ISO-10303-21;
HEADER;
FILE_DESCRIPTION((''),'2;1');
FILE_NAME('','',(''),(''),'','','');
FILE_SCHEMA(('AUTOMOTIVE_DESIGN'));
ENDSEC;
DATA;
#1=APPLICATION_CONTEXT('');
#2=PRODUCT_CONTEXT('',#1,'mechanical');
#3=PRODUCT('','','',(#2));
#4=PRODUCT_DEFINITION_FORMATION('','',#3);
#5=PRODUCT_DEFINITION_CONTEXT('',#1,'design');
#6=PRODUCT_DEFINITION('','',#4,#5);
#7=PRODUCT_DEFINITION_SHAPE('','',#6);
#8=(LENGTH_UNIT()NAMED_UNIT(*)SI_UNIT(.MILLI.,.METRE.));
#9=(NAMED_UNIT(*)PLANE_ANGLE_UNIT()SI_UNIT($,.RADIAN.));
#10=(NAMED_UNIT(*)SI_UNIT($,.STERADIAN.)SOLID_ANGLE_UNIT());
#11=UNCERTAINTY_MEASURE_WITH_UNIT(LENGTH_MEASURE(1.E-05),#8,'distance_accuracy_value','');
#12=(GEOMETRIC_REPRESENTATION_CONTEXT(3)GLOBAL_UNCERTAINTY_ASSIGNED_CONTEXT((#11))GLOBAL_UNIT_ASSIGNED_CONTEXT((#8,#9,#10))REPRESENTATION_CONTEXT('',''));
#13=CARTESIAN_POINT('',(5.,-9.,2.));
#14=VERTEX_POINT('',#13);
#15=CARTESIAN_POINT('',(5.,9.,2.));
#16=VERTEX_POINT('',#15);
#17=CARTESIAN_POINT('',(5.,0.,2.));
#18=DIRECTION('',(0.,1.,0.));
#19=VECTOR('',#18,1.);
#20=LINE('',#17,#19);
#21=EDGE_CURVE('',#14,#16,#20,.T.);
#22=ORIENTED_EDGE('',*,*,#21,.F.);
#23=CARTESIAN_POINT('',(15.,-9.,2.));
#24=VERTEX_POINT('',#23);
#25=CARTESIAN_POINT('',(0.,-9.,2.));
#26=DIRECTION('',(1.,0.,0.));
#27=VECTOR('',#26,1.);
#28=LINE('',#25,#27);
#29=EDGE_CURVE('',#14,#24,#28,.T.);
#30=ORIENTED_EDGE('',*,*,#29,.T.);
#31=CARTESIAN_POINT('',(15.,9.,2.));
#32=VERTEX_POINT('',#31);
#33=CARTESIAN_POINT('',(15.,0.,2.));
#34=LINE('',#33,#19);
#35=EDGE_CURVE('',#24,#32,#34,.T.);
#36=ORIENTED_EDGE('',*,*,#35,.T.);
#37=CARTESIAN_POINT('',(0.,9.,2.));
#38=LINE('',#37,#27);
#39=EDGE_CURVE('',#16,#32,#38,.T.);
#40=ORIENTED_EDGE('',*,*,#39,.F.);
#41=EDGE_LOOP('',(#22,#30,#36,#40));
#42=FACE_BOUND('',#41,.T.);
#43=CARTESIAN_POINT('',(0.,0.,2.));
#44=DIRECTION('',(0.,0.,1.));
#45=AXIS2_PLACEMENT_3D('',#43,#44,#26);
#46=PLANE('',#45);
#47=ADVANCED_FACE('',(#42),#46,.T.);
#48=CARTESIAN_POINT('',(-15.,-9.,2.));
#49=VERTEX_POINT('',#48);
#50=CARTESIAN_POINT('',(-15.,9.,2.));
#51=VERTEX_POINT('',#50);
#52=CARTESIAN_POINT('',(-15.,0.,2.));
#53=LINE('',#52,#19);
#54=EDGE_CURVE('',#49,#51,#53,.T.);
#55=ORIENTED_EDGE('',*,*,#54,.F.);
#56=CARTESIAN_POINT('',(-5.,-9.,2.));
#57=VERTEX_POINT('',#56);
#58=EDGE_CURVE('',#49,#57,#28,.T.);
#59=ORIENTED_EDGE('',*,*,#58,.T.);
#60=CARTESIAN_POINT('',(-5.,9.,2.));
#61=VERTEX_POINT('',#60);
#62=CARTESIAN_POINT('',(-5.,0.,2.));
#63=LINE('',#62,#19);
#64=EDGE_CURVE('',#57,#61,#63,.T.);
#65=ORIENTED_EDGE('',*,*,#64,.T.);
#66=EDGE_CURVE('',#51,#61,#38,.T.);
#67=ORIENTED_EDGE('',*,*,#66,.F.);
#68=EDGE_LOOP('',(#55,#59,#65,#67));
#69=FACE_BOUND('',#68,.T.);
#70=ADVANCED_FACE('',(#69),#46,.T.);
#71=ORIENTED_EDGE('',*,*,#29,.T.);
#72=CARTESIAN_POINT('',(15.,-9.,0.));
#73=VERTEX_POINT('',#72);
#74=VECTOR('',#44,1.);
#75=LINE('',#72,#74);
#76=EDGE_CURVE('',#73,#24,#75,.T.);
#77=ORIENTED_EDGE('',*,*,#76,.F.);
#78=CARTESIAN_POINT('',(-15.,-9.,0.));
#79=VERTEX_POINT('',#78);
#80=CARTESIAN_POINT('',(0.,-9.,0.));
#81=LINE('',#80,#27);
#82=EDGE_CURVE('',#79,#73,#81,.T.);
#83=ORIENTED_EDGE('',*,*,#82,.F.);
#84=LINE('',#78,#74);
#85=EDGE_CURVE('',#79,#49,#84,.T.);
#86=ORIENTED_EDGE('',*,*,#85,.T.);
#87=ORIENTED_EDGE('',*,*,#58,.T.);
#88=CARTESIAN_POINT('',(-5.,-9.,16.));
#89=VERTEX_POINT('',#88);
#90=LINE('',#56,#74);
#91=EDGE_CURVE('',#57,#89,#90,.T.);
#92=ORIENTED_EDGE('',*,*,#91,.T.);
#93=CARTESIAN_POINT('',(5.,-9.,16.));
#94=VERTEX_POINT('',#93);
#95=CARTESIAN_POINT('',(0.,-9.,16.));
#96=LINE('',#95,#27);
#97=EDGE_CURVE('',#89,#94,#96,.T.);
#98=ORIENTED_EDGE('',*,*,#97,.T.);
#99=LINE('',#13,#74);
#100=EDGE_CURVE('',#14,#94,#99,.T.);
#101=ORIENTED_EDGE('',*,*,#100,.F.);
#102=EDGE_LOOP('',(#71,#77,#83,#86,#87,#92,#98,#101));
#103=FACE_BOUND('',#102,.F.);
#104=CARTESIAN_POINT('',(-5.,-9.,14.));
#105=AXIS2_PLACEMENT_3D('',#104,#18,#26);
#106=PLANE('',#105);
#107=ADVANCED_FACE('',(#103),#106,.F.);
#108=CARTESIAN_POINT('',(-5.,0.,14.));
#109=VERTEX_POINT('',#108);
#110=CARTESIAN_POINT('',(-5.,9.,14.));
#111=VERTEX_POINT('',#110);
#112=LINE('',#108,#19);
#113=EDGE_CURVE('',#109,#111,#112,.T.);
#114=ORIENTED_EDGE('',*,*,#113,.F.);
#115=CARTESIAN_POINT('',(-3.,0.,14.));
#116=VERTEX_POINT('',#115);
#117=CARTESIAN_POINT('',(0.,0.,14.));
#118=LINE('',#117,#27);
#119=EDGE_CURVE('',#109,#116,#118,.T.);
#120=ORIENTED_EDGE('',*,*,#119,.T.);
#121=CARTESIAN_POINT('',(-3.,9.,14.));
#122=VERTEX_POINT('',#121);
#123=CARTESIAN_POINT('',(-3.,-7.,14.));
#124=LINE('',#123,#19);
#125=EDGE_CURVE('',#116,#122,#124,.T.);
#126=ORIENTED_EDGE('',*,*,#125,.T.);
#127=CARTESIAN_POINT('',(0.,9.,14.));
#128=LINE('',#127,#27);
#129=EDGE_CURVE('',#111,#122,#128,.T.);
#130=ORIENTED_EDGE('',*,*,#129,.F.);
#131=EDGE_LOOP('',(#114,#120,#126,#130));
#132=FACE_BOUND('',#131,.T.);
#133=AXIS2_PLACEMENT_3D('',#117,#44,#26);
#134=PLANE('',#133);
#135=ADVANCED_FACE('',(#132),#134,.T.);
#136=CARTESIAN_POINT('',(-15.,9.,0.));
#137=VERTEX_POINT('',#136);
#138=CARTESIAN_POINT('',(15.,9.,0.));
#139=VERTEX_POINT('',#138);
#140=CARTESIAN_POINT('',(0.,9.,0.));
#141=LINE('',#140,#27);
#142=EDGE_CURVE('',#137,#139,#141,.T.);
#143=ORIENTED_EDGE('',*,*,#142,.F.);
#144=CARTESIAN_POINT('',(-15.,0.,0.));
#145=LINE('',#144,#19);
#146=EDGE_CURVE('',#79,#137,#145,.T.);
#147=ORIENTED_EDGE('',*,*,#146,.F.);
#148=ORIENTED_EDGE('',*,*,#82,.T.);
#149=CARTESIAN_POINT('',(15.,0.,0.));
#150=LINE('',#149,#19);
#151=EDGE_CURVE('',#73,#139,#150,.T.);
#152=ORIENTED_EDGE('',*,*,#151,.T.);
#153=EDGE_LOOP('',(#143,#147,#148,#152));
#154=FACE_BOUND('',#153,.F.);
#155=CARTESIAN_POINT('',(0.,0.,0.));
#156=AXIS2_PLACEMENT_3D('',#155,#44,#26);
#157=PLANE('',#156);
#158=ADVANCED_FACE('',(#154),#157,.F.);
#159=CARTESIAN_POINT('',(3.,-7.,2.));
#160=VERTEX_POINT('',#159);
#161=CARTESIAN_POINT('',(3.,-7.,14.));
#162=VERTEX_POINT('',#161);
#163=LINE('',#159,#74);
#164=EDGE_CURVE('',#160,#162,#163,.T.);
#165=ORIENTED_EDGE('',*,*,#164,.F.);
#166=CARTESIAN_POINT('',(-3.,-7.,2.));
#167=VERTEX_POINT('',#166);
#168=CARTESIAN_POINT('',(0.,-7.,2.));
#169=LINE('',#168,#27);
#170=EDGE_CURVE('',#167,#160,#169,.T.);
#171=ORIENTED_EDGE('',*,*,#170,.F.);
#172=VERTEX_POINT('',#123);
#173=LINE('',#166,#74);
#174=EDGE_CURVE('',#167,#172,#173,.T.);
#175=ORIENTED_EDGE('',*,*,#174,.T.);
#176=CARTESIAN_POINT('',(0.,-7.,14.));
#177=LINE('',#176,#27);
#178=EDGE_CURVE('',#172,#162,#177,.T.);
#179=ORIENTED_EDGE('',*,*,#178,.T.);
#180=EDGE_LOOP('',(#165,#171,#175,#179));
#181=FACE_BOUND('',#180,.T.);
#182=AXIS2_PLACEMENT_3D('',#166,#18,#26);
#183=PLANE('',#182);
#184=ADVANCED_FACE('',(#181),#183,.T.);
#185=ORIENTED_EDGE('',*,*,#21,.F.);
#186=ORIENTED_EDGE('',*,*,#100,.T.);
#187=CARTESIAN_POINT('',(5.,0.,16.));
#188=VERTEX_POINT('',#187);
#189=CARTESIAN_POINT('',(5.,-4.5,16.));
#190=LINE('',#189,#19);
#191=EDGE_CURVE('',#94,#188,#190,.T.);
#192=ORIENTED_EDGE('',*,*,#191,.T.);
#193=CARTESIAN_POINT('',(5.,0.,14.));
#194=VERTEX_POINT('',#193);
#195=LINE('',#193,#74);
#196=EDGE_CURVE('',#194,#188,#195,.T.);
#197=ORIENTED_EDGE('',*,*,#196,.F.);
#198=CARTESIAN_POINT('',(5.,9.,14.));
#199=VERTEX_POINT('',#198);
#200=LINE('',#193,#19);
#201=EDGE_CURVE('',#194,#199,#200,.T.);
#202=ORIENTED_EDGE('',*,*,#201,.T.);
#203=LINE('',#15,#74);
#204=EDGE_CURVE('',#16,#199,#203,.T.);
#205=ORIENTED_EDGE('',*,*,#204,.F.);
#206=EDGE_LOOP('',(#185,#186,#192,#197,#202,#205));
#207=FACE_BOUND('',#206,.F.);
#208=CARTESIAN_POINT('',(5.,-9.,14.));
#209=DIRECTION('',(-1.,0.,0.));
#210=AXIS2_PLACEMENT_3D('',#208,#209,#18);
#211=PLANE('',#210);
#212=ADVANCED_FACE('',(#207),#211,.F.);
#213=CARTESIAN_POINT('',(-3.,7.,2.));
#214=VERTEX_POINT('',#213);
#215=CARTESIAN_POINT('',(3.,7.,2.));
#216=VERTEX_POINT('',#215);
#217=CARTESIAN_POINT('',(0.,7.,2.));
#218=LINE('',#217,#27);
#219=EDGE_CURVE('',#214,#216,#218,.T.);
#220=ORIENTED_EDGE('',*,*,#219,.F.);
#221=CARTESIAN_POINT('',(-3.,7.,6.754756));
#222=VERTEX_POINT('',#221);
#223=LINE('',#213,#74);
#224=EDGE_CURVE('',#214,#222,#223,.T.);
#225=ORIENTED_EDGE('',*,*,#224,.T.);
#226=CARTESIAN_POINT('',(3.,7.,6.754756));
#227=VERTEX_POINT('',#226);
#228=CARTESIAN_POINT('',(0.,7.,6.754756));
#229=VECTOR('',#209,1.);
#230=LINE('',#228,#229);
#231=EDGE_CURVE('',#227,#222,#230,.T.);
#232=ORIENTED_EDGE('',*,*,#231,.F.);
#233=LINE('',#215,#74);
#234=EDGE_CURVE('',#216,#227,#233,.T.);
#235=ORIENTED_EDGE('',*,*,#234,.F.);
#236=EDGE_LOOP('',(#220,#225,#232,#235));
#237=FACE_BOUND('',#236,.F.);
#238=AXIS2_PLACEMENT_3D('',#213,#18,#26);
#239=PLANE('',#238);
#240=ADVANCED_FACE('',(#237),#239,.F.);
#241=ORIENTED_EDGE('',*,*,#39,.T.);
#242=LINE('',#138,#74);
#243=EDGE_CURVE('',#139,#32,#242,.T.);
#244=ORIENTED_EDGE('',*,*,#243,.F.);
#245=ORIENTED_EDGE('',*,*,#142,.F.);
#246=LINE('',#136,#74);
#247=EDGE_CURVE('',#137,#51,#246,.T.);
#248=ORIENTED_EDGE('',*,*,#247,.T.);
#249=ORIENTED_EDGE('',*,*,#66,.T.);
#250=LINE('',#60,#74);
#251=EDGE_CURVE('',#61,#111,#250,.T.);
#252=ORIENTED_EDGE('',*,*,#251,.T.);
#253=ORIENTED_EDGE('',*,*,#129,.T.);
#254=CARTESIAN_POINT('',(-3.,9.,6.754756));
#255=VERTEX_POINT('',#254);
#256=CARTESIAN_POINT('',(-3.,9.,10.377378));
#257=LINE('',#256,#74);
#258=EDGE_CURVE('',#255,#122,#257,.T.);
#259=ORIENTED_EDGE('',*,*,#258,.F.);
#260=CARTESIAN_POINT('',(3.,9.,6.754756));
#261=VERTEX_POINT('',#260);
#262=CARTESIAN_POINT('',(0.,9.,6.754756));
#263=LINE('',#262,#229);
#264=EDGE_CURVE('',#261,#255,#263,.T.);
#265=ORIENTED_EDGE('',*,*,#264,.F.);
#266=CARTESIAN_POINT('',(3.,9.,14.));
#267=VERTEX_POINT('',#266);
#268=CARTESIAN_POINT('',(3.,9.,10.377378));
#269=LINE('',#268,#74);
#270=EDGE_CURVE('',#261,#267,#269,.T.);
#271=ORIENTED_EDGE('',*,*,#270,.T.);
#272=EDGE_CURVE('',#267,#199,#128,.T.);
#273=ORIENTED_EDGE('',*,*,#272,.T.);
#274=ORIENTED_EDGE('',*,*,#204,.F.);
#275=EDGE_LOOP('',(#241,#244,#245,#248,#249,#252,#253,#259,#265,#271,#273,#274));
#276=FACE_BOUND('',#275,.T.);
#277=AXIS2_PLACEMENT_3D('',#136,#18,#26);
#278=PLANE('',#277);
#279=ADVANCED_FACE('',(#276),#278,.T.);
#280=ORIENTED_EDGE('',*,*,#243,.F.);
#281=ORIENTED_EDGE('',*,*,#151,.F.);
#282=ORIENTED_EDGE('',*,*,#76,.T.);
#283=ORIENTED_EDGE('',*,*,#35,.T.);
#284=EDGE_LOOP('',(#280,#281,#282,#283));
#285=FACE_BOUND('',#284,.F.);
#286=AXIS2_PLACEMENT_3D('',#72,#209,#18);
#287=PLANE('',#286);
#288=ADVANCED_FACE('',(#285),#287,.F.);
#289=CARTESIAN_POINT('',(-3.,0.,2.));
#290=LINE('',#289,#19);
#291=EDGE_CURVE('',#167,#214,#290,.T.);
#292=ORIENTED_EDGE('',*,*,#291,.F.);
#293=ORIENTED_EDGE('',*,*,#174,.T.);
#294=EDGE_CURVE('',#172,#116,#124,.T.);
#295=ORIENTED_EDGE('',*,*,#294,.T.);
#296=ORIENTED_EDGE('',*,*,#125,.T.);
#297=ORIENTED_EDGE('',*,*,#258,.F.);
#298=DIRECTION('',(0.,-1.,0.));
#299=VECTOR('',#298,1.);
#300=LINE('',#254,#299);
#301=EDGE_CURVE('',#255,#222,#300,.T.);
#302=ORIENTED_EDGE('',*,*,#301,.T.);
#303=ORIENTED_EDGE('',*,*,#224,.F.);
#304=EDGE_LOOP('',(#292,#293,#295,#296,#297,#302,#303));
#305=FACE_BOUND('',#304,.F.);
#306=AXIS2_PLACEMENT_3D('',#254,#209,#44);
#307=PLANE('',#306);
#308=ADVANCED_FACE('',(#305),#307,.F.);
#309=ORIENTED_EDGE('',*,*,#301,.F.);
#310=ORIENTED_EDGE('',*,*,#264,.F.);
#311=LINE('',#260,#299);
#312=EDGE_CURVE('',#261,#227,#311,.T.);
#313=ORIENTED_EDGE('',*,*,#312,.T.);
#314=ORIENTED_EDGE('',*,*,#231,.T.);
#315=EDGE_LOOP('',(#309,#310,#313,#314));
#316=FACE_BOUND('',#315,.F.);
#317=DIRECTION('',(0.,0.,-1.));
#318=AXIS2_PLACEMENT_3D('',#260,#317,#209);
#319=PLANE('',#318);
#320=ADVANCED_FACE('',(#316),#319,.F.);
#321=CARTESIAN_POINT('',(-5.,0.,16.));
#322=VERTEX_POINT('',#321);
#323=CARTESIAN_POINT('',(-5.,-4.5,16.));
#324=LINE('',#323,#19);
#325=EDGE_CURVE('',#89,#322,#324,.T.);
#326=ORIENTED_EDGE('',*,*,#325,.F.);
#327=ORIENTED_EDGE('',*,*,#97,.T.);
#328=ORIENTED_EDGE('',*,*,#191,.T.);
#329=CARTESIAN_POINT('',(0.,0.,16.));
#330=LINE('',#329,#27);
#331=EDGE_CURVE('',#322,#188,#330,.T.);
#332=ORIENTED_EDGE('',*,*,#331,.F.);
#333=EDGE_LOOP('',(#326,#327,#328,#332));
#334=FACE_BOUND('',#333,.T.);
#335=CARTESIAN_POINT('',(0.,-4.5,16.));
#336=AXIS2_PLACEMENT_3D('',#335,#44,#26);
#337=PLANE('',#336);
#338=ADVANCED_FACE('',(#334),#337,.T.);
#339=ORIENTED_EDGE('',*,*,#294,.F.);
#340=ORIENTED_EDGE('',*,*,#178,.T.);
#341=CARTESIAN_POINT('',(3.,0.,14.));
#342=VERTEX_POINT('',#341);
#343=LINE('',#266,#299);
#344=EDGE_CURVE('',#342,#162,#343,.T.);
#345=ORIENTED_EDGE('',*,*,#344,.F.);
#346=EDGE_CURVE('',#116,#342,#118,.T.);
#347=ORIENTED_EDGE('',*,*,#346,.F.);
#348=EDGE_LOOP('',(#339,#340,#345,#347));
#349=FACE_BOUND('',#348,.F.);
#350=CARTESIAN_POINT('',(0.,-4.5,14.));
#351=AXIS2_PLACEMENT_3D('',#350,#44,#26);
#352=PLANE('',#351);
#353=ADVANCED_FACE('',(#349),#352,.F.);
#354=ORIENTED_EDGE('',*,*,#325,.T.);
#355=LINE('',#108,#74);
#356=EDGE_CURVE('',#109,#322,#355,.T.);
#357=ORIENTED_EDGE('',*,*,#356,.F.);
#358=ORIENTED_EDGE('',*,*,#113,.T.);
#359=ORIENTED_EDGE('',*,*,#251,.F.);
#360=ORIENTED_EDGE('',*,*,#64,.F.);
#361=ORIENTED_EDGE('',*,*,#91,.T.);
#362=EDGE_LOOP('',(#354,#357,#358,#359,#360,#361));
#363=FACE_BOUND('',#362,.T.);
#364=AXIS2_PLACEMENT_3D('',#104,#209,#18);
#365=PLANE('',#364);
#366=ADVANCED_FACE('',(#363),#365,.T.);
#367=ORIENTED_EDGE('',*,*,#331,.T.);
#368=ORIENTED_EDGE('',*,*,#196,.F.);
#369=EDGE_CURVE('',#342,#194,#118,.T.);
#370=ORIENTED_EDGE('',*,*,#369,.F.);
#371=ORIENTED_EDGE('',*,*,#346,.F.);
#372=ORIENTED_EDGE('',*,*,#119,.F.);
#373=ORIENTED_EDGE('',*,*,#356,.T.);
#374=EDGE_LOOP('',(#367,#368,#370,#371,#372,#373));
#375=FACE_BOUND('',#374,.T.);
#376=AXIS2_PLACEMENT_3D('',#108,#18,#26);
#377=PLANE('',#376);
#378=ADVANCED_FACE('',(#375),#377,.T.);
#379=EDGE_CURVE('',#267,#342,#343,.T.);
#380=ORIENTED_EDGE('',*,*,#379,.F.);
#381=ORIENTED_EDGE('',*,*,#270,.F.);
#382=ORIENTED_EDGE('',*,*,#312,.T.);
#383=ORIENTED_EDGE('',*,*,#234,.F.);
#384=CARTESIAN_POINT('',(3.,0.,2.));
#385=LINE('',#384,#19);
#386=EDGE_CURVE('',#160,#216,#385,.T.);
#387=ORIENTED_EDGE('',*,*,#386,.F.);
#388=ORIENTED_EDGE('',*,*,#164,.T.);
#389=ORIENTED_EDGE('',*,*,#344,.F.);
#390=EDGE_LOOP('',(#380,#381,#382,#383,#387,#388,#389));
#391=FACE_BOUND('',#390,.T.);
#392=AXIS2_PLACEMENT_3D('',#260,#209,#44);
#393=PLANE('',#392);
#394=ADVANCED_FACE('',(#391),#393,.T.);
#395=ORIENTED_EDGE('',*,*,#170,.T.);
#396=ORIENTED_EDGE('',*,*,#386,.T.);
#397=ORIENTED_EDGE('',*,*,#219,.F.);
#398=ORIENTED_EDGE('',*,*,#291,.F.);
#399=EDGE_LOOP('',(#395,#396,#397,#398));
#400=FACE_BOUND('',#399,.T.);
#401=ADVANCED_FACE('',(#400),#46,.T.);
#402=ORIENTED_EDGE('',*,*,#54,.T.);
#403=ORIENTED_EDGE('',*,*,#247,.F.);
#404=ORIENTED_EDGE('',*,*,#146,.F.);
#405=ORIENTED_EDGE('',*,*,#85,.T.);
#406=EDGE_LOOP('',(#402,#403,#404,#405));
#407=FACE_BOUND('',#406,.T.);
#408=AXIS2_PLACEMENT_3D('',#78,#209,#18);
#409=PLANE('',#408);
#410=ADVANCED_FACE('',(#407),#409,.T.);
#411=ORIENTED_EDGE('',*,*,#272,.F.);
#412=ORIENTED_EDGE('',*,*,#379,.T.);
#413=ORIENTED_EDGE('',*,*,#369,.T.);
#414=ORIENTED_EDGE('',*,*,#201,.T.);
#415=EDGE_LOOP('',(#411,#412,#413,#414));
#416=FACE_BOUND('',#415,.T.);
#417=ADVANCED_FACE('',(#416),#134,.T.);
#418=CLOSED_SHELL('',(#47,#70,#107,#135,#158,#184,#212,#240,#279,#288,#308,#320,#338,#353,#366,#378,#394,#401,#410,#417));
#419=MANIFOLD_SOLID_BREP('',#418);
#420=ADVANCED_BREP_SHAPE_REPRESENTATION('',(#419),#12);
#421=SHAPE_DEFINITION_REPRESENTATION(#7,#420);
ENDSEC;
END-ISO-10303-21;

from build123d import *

# Parameters (mm, degrees)
F0_W      = 30
F0_H      = 18
F1_DEPTH  = 2
F3_W      = 10
F3_H      = 18
F3_W_2    = 6
F3_H_2    = 14
F4_DEPTH  = 12
F6_W      = 6
F6_H      = 7.2452436302
F7_DEPTH  = 4
F9_W      = 10
F9_H      = 9
F10_DEPTH = 2


with BuildPart() as f1:
    # F0 (on Top) → F1 (new body)
    with BuildSketch(Plane.XY):
        Rectangle(F0_W, F0_H)
    extrude(amount=F1_DEPTH)

    # F3 (on offset) → F4 (join)
    with BuildSketch(Plane.XY.offset(2)):
        Rectangle(F3_W, F3_H)
        Rectangle(F3_W_2, F3_H_2, mode=Mode.SUBTRACT)
    extrude(amount=F4_DEPTH)

    # F6 (on offset) → F7 (cut)
    with BuildSketch(Plane(origin=(0, 9, 0), x_dir=(-1, 0, 0), z_dir=(0, 1, 0))):
        with Locations((0, 10.3773781849)):
            Rectangle(F6_W, F6_H)
    extrude(amount=-F7_DEPTH, mode=Mode.SUBTRACT)

    # F9 (on offset) → F10 (join)
    with BuildSketch(Plane.XY.offset(14)):
        with Locations((0, -4.5)):
            Rectangle(F9_W, F9_H)
    extrude(amount=F10_DEPTH)


solid = f1.part
